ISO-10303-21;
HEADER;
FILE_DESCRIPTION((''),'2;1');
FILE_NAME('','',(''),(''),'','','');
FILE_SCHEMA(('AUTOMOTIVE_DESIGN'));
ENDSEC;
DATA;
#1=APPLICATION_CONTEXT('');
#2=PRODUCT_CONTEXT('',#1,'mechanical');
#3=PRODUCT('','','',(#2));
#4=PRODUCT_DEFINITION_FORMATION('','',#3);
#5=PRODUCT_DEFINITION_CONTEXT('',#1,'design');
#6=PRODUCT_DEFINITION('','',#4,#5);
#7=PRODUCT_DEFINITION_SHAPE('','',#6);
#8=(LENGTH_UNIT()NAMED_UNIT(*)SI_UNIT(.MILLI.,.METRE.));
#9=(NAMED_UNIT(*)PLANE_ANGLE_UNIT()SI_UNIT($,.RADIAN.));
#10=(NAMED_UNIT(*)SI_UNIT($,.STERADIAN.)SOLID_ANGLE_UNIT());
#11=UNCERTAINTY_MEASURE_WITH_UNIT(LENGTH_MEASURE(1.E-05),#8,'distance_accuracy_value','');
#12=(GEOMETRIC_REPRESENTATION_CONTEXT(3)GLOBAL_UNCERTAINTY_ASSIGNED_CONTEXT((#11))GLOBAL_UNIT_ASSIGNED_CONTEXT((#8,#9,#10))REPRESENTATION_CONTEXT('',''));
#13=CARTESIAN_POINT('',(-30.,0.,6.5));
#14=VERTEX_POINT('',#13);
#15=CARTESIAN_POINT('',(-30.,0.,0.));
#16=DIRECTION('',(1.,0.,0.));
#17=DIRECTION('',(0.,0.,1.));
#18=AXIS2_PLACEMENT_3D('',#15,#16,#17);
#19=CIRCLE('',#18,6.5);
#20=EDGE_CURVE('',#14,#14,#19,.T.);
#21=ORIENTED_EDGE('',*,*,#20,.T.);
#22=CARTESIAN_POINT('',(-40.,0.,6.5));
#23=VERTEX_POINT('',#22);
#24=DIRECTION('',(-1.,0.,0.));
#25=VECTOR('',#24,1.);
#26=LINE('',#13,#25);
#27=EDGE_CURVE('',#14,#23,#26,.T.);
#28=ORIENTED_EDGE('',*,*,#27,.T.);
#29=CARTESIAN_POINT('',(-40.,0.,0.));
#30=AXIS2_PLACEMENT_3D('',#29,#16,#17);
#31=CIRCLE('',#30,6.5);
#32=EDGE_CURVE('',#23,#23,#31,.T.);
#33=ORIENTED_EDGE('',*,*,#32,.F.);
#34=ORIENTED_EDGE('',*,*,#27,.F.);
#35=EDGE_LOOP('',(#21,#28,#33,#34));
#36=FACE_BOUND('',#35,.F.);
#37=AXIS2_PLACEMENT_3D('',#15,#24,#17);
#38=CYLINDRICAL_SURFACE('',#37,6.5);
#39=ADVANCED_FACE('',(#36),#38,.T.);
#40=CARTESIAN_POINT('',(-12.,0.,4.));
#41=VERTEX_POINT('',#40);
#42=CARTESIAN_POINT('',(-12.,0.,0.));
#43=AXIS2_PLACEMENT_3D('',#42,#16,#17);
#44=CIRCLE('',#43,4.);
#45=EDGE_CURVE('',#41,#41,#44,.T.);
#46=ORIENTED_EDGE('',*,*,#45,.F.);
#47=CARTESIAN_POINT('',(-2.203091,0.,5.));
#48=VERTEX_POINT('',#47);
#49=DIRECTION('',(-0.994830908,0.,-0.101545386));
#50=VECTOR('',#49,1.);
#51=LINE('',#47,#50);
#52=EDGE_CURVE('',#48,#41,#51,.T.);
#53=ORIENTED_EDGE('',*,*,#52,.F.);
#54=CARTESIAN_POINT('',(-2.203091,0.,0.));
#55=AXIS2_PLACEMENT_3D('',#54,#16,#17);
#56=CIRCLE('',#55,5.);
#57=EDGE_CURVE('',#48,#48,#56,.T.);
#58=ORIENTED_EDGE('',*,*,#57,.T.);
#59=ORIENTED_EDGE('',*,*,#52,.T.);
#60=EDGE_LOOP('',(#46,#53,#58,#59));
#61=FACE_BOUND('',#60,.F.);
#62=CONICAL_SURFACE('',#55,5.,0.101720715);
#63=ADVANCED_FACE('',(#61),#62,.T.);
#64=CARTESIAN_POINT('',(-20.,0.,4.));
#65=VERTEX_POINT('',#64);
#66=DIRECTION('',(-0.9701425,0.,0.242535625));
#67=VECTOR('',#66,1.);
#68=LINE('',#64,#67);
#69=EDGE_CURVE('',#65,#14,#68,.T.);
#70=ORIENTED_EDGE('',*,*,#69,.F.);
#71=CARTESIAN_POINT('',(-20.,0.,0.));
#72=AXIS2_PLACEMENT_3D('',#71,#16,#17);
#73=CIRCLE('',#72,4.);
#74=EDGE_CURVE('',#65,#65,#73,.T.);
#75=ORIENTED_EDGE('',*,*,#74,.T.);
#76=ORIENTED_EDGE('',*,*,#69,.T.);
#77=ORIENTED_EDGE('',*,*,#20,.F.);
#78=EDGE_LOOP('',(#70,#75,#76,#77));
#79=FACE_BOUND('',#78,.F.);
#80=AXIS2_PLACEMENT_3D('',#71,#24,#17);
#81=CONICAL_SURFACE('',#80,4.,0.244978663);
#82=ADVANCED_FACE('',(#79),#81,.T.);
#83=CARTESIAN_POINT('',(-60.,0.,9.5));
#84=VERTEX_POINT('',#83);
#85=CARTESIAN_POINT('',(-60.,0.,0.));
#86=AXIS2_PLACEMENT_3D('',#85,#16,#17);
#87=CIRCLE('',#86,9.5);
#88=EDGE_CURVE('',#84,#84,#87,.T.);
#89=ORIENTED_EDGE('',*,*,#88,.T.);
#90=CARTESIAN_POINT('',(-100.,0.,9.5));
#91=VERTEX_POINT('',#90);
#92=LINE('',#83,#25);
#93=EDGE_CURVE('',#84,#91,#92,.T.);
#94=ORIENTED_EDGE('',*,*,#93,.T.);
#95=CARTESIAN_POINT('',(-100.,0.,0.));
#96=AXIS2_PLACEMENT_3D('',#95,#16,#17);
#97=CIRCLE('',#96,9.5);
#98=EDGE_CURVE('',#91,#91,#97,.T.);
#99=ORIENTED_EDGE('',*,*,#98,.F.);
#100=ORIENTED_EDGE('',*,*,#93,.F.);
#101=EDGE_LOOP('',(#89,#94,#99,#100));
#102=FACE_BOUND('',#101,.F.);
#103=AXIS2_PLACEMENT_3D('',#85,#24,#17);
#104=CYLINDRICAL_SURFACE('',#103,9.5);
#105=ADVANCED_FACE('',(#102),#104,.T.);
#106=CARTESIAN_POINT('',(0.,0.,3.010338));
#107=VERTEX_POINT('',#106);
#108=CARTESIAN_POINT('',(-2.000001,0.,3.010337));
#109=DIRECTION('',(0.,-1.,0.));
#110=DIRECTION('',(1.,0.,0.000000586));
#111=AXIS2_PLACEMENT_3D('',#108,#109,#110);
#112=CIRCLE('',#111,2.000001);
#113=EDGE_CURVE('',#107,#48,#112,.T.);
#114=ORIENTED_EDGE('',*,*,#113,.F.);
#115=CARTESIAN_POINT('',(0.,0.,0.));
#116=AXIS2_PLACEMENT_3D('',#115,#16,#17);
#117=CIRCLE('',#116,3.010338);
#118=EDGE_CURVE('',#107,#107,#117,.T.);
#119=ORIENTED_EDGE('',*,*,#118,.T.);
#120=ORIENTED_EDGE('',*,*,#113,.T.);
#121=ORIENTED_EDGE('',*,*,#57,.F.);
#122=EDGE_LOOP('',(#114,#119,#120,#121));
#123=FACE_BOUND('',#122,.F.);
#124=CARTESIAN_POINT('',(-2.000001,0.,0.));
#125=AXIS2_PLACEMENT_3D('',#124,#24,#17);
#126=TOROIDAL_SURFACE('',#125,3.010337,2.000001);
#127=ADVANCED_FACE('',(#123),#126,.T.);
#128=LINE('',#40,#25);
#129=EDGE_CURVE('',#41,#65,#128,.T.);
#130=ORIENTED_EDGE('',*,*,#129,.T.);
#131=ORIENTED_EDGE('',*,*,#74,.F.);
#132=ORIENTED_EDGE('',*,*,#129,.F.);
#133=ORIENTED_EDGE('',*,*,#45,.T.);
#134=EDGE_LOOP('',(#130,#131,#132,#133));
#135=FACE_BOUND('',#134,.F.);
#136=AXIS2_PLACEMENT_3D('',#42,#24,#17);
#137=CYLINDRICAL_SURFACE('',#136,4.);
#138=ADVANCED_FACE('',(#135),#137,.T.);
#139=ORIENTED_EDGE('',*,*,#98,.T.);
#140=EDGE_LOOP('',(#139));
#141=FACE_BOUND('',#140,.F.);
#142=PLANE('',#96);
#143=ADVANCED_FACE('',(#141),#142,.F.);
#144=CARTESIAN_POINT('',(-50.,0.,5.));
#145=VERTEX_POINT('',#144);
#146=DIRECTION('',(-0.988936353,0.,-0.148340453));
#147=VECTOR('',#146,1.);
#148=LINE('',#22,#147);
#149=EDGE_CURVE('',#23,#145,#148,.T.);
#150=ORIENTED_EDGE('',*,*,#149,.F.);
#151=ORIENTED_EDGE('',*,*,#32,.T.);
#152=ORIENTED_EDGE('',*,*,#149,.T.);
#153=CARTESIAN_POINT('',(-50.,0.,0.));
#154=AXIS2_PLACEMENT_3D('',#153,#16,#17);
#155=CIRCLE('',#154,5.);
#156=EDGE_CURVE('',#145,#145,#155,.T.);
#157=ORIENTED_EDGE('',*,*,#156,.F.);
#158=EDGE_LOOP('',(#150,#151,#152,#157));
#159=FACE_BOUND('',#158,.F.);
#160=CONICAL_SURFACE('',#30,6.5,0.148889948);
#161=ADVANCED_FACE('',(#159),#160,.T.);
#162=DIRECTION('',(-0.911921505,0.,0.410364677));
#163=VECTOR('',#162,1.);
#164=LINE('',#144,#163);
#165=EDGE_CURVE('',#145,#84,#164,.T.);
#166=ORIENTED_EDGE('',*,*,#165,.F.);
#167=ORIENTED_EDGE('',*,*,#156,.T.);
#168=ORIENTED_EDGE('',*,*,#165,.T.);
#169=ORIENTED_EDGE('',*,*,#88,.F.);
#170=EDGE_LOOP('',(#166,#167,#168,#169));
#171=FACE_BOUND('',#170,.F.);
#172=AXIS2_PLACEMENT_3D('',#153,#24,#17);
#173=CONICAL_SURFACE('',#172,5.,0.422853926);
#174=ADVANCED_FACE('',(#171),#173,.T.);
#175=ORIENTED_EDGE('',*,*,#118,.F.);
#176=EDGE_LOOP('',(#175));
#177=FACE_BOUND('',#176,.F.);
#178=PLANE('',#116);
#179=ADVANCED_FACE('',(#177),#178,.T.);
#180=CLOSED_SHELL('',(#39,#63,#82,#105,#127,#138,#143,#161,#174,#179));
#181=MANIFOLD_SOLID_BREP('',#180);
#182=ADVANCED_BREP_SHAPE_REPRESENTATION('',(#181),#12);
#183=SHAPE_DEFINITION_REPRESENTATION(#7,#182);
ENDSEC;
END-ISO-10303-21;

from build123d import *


with BuildPart() as f1:
    # F0 (on Front) → F1 (revolve)
    with BuildSketch(Plane.XZ):
        with BuildLine():
            Line((-100, 0), (0, 0))
            Line((0, 0), (0, 3.010338))
            ThreePointArc((0, 3.010338), (-0.659512, 4.494619), (-2.203091, 5))
            Line((-2.203091, 5), (-12, 4))
            Line((-12, 4), (-20, 4))
            Line((-20, 4), (-30, 6.5))
            Line((-30, 6.5), (-40, 6.5))
            Line((-40, 6.5), (-50, 5))
            Line((-50, 5), (-60, 9.5))
            Line((-60, 9.5), (-100, 9.5))
            Line((-100, 9.5), (-100, 0))
        make_face()
    revolve(axis=Axis((-50, 0, 0), (1, 0, 0)))


solid = f1.part
